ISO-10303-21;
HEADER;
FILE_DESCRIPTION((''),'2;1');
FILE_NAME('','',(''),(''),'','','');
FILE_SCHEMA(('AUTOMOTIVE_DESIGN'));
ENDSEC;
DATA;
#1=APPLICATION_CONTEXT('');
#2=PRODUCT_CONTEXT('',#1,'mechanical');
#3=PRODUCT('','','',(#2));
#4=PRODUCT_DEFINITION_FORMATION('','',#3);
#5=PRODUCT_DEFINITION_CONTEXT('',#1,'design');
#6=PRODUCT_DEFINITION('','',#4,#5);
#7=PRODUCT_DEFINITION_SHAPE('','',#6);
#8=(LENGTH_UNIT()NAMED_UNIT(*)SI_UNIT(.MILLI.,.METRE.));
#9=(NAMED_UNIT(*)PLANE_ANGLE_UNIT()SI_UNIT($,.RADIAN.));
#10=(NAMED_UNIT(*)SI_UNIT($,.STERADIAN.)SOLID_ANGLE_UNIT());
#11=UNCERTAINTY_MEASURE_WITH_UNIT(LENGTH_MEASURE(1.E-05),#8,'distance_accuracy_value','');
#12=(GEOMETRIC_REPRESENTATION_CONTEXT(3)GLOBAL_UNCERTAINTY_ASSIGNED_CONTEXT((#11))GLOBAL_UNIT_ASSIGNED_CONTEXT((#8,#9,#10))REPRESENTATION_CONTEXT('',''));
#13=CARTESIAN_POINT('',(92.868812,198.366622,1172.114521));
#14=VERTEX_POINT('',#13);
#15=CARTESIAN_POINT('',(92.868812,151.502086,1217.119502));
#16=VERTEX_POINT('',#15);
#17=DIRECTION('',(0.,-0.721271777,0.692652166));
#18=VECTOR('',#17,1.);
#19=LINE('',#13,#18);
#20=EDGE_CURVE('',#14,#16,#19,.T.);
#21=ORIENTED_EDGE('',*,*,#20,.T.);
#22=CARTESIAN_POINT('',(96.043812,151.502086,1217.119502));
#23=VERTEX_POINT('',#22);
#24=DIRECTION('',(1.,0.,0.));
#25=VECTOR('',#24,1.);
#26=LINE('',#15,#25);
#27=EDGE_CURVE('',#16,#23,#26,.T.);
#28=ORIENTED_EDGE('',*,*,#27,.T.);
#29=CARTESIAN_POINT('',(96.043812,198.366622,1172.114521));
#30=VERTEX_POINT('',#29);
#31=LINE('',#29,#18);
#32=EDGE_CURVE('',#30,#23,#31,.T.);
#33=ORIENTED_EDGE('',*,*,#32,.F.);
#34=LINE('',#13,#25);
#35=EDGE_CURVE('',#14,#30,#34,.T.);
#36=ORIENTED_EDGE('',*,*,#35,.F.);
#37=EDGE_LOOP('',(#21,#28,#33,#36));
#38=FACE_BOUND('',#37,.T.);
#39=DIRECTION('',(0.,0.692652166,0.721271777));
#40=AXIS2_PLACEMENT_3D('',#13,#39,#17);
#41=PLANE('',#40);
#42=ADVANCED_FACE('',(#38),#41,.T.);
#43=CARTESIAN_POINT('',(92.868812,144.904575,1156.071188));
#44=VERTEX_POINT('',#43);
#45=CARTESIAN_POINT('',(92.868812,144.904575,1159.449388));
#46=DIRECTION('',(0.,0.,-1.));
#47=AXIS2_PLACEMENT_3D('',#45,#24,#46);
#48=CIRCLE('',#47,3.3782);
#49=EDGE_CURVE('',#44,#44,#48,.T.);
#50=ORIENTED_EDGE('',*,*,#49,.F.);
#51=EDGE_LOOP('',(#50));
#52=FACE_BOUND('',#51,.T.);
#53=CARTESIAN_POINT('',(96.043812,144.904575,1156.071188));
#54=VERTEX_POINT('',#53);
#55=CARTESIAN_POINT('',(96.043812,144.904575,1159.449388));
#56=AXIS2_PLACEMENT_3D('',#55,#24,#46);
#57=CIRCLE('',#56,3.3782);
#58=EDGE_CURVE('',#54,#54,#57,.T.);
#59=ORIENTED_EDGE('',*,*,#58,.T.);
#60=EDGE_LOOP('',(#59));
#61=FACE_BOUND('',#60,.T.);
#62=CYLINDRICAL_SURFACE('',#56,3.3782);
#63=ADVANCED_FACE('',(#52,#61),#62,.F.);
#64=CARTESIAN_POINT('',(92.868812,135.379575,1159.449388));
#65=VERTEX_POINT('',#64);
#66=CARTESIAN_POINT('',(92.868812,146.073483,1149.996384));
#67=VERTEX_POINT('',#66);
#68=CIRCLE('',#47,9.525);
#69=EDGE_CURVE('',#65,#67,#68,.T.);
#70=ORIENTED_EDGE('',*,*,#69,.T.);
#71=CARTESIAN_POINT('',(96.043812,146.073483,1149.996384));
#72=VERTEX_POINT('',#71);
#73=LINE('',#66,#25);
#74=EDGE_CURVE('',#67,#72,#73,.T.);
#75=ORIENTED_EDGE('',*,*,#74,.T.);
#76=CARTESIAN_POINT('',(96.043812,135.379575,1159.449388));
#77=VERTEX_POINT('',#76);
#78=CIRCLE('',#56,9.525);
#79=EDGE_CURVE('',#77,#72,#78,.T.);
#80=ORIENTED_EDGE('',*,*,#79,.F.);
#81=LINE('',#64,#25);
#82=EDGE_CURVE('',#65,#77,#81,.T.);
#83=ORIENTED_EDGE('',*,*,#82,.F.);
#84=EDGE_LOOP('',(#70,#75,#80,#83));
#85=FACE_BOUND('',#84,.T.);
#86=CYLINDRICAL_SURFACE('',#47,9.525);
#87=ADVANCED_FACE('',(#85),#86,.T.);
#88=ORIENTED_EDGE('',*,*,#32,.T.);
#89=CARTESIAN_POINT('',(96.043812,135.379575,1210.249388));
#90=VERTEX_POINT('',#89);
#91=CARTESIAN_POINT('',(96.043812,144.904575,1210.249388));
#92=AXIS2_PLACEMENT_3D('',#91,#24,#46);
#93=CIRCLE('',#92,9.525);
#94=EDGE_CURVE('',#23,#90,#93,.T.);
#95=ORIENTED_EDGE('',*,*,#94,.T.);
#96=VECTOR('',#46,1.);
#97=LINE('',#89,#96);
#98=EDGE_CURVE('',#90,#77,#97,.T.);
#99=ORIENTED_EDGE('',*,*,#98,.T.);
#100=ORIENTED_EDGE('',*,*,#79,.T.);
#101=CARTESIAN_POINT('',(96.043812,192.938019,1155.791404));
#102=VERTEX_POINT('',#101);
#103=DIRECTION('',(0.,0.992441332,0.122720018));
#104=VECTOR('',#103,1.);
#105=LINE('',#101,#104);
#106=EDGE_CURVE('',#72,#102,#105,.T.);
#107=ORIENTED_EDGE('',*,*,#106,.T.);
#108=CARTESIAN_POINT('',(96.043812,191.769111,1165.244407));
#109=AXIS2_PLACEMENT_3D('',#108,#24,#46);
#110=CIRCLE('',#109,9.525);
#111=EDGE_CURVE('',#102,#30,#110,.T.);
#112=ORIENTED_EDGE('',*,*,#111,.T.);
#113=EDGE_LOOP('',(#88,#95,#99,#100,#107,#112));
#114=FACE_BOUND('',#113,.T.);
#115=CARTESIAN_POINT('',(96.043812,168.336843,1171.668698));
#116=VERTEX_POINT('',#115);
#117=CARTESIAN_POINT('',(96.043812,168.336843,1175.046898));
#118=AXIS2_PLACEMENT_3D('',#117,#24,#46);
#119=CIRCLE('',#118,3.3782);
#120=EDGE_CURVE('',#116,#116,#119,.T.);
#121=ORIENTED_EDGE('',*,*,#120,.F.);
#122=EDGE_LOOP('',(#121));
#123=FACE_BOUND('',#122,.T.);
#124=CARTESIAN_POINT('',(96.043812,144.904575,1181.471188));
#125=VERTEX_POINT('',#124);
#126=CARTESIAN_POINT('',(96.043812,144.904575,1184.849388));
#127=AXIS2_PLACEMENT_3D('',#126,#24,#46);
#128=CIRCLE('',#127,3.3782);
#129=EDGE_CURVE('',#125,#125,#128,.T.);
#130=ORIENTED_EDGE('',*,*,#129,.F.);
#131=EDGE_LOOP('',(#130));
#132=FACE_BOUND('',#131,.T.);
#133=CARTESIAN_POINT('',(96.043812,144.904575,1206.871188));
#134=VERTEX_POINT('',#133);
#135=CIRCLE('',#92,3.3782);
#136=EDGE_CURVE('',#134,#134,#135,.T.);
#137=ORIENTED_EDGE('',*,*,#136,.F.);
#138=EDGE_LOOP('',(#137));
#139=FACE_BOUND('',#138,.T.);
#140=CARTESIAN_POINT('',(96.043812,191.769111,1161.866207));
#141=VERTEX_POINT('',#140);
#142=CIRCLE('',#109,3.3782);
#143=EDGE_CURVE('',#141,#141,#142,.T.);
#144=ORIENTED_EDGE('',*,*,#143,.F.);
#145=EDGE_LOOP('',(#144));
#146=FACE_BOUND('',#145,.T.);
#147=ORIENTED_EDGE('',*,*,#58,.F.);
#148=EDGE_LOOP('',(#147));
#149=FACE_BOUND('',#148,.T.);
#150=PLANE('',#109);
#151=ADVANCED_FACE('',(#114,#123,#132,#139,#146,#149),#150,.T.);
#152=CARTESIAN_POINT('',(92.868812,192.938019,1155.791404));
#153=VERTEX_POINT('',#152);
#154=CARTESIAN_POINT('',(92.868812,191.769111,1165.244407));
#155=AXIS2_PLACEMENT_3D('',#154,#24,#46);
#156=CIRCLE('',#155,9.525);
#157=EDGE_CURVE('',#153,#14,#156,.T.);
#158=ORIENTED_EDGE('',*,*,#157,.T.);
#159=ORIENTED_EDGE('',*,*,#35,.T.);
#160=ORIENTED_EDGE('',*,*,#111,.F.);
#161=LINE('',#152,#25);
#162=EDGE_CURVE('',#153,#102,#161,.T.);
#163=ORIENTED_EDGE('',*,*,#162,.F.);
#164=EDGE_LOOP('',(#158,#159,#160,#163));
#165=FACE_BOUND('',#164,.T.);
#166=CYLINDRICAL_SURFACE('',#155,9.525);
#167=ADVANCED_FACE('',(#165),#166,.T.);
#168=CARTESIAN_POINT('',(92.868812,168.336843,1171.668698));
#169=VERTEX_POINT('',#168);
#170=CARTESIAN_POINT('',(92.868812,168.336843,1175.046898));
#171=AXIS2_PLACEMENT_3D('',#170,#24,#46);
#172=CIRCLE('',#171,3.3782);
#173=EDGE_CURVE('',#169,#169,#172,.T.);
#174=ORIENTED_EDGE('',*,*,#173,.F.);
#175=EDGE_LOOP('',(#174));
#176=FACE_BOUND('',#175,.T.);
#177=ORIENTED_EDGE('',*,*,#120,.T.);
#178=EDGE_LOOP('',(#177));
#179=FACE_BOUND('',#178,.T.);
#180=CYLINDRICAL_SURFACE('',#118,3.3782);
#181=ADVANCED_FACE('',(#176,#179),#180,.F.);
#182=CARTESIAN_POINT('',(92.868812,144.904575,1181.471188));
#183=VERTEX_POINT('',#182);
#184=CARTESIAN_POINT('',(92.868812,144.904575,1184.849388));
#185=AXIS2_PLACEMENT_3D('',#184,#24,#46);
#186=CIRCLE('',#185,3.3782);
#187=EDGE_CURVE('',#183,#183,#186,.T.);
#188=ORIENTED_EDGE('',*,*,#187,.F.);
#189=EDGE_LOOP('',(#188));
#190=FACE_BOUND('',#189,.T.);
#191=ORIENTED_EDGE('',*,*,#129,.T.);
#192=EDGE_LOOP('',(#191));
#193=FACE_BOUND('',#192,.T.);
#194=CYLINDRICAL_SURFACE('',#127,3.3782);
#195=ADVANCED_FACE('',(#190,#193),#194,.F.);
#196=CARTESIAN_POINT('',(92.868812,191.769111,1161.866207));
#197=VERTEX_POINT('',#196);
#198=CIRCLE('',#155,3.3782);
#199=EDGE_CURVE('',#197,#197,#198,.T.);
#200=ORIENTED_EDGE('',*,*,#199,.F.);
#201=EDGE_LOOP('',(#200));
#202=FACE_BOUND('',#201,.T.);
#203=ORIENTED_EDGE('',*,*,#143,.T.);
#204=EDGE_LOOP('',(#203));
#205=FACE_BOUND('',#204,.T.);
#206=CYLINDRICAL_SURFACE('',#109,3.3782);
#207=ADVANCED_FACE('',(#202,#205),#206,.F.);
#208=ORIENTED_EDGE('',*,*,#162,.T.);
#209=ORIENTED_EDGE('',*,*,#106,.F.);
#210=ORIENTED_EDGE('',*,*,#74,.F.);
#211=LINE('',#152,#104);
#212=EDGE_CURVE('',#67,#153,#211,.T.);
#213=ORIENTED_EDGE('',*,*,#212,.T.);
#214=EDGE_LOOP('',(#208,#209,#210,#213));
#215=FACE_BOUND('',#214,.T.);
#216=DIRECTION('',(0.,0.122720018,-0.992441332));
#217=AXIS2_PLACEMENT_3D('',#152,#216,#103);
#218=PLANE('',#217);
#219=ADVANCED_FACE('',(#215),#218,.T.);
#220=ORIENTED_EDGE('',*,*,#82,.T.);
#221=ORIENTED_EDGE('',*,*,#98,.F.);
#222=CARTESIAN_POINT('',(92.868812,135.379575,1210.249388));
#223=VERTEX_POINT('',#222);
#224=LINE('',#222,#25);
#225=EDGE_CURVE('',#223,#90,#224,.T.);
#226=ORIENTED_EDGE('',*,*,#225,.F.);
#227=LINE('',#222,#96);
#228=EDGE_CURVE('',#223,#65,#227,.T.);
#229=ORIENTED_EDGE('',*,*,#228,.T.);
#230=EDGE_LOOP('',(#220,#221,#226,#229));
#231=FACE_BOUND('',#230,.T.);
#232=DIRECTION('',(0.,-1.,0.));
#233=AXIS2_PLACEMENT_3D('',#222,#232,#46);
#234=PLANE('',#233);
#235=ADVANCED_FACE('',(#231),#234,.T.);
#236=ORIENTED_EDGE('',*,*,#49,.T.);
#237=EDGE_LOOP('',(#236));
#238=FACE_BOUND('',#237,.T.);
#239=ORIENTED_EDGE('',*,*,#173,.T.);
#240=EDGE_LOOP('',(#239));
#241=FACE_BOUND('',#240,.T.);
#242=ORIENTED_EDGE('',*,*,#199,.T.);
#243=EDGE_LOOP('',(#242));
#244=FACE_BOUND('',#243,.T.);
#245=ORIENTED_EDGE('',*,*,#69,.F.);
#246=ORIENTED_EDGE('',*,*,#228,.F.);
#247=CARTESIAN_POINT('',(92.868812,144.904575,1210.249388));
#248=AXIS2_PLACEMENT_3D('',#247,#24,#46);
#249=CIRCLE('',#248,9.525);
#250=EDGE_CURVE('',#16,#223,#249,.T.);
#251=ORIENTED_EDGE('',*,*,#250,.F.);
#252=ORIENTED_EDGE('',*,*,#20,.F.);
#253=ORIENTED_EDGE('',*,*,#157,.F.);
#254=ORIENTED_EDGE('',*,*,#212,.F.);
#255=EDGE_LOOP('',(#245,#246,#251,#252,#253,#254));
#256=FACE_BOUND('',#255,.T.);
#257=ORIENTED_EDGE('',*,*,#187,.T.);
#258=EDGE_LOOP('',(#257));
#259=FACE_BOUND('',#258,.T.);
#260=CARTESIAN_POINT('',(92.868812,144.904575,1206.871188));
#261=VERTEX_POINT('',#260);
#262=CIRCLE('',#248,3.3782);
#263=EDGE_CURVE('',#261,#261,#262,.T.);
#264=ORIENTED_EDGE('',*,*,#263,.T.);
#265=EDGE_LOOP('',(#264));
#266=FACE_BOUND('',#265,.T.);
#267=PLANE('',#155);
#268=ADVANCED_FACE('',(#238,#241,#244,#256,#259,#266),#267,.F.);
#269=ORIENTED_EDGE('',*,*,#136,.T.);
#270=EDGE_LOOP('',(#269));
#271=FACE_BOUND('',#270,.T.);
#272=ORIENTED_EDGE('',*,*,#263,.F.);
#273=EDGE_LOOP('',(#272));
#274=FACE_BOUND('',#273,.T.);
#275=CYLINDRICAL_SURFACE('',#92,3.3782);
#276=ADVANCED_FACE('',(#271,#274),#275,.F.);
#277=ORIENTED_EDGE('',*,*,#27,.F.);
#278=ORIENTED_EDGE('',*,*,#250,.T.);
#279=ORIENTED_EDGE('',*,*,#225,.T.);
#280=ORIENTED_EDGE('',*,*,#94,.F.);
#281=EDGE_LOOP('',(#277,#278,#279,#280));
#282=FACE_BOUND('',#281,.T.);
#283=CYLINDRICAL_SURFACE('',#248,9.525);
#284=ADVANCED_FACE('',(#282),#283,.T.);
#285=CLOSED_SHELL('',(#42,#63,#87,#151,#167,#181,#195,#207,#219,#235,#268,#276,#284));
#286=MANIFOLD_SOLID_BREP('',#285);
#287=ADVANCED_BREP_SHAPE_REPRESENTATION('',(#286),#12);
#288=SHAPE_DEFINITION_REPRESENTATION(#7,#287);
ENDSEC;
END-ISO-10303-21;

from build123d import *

# Parameters (mm, degrees)
BOSS_EXTRUDE1_START     = 92.868812
BOSS_EXTRUDE1_DEPTH     = 3.175
F_1_4_CLEARANCE_HOLE1_D = 6.7564


with BuildPart() as part:
    # Sketch1 → Boss-Extrude1 (new body)
    with BuildSketch(Plane(origin=(0, 0, 0), x_dir=(0, 0, -1), z_dir=(1, 0, 0)).offset(BOSS_EXTRUDE1_START)):
        with BuildLine():
            Line((-1155.791403712, 192.93801872), (-1149.996384364, 146.073482729))
            ThreePointArc((-1149.996384364, 146.073482729), (-1152.312880663, 138.596176396), (-1159.44938805, 135.379574554))
            Line((-1159.44938805, 135.379574554), (-1210.24938805, 135.379574554))
            ThreePointArc((-1210.24938805, 135.379574554), (-1219.012005401, 141.170654074), (-1217.119501727, 151.502086438))
            Line((-1217.119501727, 151.502086438), (-1172.114521075, 198.366622429))
            ThreePointArc((-1172.114521075, 198.366622429), (-1162.238535685, 200.807382517), (-1155.791403712, 192.93801872))
        make_face()
    extrude(amount=BOSS_EXTRUDE1_DEPTH)

    # 1/4 Clearance Hole1 (through all)
    with Locations(Plane(origin=(96.043812484, 0, 0), x_dir=(0, 0, -1), z_dir=(1, 0, 0))):
        with Locations((-1175.046897724, 168.336842549), (-1165.244407398, 191.769110545), (-1210.24938805, 144.904574554), (-1184.84938805, 144.904574554), (-1159.44938805, 144.904574554)):
            Hole(F_1_4_CLEARANCE_HOLE1_D / 2)


solid = part.part
